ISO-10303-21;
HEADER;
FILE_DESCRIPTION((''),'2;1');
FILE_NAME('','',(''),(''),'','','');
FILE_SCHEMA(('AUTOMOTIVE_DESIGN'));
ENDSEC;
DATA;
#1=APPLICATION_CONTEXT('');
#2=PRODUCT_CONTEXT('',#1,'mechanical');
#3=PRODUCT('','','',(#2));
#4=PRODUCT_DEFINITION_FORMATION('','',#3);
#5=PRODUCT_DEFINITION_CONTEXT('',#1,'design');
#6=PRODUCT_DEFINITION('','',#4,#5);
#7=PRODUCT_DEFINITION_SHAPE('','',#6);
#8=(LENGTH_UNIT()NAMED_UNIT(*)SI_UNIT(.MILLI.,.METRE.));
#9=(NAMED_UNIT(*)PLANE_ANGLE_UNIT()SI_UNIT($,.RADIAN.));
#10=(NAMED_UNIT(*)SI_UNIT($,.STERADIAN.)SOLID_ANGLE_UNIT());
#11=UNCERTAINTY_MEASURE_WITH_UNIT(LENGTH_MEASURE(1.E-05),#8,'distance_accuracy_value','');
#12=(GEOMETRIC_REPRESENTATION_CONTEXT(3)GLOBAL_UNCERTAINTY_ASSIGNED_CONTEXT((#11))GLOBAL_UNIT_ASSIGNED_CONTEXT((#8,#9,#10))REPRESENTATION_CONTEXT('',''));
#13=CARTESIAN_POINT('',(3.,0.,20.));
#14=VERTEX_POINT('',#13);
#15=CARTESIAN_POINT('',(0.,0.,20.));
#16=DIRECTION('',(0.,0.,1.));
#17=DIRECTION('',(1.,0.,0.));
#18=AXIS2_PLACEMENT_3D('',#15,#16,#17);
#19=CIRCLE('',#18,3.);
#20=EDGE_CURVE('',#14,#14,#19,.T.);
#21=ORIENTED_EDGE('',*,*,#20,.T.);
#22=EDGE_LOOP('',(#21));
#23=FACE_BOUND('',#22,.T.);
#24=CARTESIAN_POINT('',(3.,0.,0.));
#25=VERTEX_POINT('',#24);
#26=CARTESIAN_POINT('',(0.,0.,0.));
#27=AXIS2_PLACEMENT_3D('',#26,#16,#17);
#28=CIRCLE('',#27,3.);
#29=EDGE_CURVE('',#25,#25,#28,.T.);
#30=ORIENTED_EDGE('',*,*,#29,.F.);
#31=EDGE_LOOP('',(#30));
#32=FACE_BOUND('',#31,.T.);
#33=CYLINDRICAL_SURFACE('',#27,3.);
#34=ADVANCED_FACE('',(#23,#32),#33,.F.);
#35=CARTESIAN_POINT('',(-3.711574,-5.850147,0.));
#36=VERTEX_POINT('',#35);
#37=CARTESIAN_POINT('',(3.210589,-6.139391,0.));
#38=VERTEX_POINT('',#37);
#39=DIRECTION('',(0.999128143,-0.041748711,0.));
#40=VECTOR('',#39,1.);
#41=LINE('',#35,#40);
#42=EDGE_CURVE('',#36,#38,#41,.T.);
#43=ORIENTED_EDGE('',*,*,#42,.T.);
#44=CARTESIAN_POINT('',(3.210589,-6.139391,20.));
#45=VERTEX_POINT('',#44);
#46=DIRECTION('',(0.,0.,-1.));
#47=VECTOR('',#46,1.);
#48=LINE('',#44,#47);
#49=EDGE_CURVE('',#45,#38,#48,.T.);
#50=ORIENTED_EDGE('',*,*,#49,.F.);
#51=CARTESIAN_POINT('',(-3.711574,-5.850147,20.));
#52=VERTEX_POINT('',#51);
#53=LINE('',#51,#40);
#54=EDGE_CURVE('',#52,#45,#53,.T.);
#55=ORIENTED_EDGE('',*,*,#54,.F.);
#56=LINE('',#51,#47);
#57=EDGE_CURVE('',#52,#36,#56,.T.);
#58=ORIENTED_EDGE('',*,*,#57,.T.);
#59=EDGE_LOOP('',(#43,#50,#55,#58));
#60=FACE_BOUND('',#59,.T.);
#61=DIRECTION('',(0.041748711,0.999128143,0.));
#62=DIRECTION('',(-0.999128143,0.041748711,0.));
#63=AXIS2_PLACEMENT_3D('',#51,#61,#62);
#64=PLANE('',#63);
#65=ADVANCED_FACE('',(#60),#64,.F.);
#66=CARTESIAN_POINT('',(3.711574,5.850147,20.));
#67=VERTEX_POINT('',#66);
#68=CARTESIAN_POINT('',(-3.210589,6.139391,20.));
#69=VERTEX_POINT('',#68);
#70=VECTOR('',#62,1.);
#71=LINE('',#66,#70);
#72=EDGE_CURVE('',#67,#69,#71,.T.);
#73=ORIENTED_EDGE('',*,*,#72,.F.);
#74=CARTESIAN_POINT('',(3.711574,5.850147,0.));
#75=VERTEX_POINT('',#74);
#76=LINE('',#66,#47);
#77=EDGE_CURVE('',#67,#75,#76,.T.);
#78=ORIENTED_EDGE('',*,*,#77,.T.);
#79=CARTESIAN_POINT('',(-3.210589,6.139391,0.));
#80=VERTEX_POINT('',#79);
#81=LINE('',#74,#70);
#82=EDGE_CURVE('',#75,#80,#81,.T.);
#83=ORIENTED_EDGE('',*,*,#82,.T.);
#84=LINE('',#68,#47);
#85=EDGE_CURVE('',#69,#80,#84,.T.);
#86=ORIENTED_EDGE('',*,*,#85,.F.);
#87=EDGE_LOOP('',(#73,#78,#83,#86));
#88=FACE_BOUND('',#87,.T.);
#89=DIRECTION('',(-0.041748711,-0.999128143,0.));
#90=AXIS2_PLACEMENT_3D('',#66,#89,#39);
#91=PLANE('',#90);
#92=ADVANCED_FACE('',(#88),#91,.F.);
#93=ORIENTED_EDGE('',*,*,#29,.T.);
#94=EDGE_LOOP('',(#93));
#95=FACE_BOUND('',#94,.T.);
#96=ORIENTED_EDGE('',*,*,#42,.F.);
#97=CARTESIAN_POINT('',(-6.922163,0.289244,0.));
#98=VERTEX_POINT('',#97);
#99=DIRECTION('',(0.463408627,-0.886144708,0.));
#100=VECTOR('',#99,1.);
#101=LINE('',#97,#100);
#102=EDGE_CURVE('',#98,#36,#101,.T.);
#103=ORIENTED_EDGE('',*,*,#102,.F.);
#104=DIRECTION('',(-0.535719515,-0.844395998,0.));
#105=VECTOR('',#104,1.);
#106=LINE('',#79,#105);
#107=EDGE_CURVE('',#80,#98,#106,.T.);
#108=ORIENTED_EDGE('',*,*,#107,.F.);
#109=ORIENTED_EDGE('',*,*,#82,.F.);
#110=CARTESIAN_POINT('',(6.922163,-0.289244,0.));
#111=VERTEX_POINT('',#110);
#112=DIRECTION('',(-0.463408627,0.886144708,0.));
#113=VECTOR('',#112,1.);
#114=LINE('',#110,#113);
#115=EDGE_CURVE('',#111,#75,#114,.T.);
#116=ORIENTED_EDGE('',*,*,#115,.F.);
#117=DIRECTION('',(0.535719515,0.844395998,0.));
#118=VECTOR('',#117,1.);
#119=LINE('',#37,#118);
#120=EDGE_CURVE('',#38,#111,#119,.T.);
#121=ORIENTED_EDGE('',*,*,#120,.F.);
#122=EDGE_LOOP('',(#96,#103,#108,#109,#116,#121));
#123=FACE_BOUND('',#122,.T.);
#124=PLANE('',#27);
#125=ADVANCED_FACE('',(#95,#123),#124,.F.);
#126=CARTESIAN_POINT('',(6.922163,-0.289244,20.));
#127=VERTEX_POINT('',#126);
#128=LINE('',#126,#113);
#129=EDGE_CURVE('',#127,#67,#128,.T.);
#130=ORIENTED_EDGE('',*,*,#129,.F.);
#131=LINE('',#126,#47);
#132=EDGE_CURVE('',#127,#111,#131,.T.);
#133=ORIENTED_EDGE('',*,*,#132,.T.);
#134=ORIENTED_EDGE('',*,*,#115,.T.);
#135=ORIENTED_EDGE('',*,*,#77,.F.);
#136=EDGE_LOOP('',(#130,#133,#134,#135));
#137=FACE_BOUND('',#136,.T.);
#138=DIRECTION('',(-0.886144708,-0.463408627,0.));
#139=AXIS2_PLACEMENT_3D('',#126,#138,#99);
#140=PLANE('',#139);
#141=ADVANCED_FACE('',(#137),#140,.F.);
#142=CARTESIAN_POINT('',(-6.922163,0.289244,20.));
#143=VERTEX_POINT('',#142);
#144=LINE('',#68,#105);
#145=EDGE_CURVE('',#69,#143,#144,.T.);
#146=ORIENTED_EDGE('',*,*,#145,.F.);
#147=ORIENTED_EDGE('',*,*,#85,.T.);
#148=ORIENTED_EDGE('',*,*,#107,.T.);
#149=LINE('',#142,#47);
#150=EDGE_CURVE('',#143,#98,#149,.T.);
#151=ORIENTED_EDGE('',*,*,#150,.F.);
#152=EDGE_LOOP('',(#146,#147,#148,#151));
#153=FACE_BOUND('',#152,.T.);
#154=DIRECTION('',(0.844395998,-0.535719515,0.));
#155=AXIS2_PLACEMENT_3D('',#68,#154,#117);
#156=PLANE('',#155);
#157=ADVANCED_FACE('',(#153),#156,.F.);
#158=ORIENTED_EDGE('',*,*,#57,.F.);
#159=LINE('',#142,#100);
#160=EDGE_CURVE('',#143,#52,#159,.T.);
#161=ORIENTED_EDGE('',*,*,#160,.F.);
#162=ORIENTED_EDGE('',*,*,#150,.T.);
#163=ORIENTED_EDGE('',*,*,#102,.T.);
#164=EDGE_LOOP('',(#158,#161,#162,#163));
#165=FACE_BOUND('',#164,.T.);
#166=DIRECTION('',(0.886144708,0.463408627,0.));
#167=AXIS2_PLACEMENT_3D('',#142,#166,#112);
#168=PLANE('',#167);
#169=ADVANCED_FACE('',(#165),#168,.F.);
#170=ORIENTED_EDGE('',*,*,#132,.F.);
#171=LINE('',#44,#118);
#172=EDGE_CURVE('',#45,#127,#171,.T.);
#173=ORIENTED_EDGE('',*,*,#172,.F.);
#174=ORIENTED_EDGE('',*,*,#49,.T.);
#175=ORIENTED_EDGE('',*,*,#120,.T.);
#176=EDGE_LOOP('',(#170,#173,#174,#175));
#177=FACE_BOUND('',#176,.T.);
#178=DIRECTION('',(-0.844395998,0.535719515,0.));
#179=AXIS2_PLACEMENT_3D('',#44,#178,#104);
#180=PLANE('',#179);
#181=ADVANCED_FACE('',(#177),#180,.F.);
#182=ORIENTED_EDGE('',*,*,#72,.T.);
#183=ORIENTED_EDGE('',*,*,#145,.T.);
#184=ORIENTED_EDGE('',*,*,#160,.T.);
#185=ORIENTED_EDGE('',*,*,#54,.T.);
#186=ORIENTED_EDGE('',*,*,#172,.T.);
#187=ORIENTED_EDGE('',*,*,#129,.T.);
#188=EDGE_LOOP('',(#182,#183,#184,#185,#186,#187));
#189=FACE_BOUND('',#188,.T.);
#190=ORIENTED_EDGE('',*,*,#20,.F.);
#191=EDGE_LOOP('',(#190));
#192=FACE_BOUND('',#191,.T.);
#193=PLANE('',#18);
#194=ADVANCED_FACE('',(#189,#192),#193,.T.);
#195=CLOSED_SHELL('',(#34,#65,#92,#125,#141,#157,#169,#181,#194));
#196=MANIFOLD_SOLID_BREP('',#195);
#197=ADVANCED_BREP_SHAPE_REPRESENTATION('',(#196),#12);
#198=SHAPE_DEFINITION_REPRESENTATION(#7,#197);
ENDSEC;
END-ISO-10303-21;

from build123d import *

# Parameters (mm, degrees)
BOSS_EXTRUDE1_DEPTH = 20
SKETCH2_R           = 3
CUT_EXTRUDE1_DEPTH  = 23.036525486


with BuildPart() as part:
    # Sketch1 → Boss-Extrude1 (new body)
    with BuildSketch(Plane.XY):
        Polygon((3.711573676, 5.850147079), (-3.210589149, 6.139390631), (-6.922162824, 0.289243552), (-3.711573676, -5.850147079), (3.210589149, -6.139390631), (6.922162824, -0.289243552), align=None)
    extrude(amount=BOSS_EXTRUDE1_DEPTH)

    # Sketch2 → Cut-Extrude1 (cut, through all)
    with BuildSketch(Plane.XY.offset(20)):
        Circle(SKETCH2_R)
    extrude(amount=-CUT_EXTRUDE1_DEPTH, mode=Mode.SUBTRACT)


solid = part.part
